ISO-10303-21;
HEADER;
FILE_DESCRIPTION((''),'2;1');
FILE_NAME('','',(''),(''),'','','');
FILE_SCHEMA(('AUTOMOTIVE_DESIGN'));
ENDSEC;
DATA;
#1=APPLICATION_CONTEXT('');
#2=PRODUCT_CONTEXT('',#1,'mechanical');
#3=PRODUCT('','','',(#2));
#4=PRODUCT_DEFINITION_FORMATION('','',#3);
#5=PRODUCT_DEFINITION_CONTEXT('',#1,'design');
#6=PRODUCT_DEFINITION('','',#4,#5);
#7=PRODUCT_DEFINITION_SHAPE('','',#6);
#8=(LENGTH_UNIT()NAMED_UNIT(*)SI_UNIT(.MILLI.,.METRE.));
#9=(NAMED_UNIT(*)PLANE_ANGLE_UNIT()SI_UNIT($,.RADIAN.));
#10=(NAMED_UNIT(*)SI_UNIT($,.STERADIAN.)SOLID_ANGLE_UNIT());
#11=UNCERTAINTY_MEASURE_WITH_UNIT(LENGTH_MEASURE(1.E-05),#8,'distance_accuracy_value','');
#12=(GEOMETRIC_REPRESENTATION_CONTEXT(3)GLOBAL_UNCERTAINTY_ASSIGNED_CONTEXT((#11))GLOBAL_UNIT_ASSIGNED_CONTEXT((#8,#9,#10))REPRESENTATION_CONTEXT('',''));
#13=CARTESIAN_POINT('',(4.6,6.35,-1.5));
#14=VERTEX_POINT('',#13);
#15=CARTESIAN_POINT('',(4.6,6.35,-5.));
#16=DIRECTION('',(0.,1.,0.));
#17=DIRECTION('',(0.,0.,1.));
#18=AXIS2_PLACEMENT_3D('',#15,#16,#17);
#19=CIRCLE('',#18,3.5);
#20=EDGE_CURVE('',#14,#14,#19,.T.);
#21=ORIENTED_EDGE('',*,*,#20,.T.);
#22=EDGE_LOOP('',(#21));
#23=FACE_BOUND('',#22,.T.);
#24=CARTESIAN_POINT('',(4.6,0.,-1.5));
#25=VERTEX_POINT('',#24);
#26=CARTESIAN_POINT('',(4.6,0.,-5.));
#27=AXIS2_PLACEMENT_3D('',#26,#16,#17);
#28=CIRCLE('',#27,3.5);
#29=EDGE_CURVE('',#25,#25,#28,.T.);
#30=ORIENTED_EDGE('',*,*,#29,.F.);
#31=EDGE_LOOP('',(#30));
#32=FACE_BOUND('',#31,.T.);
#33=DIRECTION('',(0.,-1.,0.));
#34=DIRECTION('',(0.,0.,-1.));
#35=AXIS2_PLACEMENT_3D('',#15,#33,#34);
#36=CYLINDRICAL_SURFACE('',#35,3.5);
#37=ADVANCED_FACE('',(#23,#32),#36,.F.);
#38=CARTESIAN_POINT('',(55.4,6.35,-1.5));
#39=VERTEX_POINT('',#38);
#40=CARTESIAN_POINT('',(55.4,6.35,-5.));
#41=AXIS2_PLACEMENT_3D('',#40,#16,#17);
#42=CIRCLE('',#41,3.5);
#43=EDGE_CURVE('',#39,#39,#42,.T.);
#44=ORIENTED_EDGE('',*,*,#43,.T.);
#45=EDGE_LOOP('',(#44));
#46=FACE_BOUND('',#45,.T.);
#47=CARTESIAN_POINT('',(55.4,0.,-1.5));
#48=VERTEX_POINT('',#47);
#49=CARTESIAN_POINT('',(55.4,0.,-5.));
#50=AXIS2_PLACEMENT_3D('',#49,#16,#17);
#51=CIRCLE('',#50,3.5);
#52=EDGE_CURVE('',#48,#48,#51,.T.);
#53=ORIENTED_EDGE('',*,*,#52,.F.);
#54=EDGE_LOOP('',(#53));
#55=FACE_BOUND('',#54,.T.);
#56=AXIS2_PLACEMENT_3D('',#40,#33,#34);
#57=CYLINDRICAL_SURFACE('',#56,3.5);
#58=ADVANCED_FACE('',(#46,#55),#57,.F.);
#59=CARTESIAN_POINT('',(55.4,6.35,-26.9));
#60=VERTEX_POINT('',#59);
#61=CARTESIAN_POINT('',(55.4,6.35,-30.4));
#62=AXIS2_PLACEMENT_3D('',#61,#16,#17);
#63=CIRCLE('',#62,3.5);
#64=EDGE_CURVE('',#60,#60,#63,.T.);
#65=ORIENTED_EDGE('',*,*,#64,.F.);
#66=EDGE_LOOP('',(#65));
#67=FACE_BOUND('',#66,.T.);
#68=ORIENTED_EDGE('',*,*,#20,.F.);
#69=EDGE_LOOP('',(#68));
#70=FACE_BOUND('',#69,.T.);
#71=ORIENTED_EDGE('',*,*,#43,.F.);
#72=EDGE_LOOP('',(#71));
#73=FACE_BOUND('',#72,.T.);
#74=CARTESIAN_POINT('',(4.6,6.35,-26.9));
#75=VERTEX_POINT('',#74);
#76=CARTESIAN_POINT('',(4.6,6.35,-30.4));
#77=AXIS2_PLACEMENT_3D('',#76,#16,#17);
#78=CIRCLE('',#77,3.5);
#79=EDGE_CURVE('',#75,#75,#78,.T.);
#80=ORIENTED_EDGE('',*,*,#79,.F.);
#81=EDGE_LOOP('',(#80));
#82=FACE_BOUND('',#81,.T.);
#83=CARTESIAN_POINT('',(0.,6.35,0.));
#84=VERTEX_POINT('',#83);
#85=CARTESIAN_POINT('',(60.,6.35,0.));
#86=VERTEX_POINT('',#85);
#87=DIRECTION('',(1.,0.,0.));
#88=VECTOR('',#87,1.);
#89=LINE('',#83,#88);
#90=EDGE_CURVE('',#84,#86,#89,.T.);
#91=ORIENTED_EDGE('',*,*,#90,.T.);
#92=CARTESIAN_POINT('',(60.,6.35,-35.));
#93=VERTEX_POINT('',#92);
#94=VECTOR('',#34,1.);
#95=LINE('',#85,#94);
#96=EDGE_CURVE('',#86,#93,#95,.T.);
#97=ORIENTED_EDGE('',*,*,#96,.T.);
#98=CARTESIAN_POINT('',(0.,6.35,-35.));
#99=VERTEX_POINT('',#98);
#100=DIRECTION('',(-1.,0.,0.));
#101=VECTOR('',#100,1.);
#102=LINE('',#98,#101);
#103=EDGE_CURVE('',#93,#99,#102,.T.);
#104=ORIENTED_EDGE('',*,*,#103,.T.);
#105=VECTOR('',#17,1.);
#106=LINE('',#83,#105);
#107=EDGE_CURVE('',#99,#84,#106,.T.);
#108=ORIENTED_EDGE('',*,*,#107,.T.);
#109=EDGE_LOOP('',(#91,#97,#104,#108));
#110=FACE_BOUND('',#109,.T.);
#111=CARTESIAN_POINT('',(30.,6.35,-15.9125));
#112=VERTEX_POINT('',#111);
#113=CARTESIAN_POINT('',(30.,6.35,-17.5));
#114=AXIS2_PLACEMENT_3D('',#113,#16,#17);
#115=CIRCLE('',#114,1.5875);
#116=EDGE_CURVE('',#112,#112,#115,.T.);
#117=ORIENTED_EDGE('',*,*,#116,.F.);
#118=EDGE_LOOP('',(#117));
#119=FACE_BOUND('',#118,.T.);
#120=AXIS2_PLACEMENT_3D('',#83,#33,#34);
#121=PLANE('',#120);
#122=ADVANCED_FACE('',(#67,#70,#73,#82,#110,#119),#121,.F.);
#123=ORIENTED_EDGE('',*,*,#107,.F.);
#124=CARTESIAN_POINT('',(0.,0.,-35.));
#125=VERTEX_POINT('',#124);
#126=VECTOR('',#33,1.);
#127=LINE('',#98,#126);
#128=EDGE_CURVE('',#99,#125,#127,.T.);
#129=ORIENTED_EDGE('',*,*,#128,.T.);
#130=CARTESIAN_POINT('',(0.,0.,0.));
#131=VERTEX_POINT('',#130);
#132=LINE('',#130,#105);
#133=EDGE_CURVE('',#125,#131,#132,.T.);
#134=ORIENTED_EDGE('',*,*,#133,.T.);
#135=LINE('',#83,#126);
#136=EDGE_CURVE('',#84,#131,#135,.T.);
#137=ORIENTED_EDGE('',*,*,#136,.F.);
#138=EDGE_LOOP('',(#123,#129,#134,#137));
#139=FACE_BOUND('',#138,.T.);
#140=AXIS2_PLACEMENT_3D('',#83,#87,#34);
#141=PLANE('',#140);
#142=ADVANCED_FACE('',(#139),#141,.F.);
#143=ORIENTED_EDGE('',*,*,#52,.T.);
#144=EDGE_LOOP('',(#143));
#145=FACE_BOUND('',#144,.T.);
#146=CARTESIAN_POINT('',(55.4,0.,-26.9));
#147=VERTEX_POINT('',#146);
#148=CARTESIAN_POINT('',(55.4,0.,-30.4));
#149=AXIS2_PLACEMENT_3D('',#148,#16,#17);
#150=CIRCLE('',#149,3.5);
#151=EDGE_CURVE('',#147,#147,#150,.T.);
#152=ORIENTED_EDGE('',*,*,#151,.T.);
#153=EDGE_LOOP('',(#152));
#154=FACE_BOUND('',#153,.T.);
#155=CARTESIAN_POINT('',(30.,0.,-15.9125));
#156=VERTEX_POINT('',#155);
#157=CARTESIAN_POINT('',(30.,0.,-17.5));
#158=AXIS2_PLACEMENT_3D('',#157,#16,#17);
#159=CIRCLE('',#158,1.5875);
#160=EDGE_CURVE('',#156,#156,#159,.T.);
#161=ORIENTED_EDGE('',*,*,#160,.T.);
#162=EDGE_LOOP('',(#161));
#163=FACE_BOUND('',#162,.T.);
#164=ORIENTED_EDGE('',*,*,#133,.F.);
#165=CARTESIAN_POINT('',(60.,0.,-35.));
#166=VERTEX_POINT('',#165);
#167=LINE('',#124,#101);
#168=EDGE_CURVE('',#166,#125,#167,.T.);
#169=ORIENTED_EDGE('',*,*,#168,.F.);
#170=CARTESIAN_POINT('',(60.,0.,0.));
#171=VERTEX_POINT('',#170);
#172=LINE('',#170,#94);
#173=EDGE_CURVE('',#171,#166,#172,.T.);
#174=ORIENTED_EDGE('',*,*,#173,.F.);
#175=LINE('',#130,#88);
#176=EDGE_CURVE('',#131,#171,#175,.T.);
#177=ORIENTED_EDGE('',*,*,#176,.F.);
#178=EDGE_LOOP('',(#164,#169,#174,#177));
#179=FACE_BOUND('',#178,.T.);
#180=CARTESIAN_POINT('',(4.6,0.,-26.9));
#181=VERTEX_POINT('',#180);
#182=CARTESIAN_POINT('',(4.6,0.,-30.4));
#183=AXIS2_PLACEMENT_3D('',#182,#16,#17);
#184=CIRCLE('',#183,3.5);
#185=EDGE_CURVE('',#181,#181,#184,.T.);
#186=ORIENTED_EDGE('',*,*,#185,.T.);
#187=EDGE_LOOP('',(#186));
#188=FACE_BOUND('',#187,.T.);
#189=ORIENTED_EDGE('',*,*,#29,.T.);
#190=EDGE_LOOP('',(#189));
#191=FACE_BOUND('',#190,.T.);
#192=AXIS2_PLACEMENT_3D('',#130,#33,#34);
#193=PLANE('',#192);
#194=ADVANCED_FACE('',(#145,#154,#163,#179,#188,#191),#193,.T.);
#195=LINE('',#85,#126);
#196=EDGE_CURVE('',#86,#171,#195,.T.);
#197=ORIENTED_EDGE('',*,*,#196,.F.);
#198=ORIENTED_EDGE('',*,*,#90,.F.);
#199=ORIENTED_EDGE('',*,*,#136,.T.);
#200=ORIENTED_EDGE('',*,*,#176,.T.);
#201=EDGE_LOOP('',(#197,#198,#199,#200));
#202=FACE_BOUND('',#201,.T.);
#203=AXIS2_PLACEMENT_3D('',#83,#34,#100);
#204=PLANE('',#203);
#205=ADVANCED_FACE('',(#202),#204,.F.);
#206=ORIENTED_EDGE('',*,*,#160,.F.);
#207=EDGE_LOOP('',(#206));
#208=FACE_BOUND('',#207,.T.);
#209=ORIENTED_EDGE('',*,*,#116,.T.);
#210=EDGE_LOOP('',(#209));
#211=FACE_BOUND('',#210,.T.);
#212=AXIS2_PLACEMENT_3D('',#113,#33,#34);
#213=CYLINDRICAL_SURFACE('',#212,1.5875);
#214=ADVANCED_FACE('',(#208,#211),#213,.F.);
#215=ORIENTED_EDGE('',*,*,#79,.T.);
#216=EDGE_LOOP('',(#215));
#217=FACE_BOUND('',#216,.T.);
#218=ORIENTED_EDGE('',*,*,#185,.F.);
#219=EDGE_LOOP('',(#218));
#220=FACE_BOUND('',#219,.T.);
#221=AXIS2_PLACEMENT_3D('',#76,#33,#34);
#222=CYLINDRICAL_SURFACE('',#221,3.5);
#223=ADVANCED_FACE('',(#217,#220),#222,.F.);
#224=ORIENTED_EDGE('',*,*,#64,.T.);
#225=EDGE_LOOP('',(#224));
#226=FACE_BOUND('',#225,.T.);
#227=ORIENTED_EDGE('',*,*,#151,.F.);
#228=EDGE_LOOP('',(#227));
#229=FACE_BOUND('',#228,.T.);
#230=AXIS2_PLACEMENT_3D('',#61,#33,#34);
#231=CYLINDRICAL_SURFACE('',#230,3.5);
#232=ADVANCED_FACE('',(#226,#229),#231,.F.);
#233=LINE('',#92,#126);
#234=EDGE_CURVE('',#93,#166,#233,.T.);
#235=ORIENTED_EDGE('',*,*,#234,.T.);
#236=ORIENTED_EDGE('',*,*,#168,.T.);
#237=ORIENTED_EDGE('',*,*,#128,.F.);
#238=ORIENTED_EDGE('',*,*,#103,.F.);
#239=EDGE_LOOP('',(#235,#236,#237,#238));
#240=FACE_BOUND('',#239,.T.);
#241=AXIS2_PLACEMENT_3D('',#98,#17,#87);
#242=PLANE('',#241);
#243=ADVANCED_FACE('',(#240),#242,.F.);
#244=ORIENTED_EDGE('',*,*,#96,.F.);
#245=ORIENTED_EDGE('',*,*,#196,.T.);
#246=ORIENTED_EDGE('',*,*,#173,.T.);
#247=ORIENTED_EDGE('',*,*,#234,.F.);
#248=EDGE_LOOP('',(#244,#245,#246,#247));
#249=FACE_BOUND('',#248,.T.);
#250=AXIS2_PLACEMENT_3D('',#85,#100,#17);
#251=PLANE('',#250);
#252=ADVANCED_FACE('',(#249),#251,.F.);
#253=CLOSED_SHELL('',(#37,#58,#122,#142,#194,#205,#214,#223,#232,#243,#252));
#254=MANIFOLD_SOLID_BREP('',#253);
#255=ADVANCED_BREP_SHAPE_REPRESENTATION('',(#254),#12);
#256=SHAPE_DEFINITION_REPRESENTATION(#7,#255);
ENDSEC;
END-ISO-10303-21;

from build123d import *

# Parameters (mm, degrees)
SKETCH1_W           = 60
SKETCH1_H           = 35
SKETCH1_R           = 3.5
SKETCH1_R_2         = 1.5875
BOSS_EXTRUDE1_DEPTH = 6.35


with BuildPart() as part:
    # Sketch1 → Boss-Extrude1 (new body)
    with BuildSketch(Plane(origin=(0, 0, 0), x_dir=(1, 0, 0), z_dir=(0, 1, 0))):
        with Locations((30, 17.5)):
            Rectangle(SKETCH1_W, SKETCH1_H)
        with Locations((4.6, 30.4)):
            Circle(SKETCH1_R, mode=Mode.SUBTRACT)
        with Locations((55.4, 30.4)):
            Circle(SKETCH1_R, mode=Mode.SUBTRACT)
        with Locations((4.6, 5)):
            Circle(SKETCH1_R, mode=Mode.SUBTRACT)
        with Locations((55.4, 5)):
            Circle(SKETCH1_R, mode=Mode.SUBTRACT)
        with Locations((30, 17.5)):
            Circle(SKETCH1_R_2, mode=Mode.SUBTRACT)
    extrude(amount=BOSS_EXTRUDE1_DEPTH)


solid = part.part
